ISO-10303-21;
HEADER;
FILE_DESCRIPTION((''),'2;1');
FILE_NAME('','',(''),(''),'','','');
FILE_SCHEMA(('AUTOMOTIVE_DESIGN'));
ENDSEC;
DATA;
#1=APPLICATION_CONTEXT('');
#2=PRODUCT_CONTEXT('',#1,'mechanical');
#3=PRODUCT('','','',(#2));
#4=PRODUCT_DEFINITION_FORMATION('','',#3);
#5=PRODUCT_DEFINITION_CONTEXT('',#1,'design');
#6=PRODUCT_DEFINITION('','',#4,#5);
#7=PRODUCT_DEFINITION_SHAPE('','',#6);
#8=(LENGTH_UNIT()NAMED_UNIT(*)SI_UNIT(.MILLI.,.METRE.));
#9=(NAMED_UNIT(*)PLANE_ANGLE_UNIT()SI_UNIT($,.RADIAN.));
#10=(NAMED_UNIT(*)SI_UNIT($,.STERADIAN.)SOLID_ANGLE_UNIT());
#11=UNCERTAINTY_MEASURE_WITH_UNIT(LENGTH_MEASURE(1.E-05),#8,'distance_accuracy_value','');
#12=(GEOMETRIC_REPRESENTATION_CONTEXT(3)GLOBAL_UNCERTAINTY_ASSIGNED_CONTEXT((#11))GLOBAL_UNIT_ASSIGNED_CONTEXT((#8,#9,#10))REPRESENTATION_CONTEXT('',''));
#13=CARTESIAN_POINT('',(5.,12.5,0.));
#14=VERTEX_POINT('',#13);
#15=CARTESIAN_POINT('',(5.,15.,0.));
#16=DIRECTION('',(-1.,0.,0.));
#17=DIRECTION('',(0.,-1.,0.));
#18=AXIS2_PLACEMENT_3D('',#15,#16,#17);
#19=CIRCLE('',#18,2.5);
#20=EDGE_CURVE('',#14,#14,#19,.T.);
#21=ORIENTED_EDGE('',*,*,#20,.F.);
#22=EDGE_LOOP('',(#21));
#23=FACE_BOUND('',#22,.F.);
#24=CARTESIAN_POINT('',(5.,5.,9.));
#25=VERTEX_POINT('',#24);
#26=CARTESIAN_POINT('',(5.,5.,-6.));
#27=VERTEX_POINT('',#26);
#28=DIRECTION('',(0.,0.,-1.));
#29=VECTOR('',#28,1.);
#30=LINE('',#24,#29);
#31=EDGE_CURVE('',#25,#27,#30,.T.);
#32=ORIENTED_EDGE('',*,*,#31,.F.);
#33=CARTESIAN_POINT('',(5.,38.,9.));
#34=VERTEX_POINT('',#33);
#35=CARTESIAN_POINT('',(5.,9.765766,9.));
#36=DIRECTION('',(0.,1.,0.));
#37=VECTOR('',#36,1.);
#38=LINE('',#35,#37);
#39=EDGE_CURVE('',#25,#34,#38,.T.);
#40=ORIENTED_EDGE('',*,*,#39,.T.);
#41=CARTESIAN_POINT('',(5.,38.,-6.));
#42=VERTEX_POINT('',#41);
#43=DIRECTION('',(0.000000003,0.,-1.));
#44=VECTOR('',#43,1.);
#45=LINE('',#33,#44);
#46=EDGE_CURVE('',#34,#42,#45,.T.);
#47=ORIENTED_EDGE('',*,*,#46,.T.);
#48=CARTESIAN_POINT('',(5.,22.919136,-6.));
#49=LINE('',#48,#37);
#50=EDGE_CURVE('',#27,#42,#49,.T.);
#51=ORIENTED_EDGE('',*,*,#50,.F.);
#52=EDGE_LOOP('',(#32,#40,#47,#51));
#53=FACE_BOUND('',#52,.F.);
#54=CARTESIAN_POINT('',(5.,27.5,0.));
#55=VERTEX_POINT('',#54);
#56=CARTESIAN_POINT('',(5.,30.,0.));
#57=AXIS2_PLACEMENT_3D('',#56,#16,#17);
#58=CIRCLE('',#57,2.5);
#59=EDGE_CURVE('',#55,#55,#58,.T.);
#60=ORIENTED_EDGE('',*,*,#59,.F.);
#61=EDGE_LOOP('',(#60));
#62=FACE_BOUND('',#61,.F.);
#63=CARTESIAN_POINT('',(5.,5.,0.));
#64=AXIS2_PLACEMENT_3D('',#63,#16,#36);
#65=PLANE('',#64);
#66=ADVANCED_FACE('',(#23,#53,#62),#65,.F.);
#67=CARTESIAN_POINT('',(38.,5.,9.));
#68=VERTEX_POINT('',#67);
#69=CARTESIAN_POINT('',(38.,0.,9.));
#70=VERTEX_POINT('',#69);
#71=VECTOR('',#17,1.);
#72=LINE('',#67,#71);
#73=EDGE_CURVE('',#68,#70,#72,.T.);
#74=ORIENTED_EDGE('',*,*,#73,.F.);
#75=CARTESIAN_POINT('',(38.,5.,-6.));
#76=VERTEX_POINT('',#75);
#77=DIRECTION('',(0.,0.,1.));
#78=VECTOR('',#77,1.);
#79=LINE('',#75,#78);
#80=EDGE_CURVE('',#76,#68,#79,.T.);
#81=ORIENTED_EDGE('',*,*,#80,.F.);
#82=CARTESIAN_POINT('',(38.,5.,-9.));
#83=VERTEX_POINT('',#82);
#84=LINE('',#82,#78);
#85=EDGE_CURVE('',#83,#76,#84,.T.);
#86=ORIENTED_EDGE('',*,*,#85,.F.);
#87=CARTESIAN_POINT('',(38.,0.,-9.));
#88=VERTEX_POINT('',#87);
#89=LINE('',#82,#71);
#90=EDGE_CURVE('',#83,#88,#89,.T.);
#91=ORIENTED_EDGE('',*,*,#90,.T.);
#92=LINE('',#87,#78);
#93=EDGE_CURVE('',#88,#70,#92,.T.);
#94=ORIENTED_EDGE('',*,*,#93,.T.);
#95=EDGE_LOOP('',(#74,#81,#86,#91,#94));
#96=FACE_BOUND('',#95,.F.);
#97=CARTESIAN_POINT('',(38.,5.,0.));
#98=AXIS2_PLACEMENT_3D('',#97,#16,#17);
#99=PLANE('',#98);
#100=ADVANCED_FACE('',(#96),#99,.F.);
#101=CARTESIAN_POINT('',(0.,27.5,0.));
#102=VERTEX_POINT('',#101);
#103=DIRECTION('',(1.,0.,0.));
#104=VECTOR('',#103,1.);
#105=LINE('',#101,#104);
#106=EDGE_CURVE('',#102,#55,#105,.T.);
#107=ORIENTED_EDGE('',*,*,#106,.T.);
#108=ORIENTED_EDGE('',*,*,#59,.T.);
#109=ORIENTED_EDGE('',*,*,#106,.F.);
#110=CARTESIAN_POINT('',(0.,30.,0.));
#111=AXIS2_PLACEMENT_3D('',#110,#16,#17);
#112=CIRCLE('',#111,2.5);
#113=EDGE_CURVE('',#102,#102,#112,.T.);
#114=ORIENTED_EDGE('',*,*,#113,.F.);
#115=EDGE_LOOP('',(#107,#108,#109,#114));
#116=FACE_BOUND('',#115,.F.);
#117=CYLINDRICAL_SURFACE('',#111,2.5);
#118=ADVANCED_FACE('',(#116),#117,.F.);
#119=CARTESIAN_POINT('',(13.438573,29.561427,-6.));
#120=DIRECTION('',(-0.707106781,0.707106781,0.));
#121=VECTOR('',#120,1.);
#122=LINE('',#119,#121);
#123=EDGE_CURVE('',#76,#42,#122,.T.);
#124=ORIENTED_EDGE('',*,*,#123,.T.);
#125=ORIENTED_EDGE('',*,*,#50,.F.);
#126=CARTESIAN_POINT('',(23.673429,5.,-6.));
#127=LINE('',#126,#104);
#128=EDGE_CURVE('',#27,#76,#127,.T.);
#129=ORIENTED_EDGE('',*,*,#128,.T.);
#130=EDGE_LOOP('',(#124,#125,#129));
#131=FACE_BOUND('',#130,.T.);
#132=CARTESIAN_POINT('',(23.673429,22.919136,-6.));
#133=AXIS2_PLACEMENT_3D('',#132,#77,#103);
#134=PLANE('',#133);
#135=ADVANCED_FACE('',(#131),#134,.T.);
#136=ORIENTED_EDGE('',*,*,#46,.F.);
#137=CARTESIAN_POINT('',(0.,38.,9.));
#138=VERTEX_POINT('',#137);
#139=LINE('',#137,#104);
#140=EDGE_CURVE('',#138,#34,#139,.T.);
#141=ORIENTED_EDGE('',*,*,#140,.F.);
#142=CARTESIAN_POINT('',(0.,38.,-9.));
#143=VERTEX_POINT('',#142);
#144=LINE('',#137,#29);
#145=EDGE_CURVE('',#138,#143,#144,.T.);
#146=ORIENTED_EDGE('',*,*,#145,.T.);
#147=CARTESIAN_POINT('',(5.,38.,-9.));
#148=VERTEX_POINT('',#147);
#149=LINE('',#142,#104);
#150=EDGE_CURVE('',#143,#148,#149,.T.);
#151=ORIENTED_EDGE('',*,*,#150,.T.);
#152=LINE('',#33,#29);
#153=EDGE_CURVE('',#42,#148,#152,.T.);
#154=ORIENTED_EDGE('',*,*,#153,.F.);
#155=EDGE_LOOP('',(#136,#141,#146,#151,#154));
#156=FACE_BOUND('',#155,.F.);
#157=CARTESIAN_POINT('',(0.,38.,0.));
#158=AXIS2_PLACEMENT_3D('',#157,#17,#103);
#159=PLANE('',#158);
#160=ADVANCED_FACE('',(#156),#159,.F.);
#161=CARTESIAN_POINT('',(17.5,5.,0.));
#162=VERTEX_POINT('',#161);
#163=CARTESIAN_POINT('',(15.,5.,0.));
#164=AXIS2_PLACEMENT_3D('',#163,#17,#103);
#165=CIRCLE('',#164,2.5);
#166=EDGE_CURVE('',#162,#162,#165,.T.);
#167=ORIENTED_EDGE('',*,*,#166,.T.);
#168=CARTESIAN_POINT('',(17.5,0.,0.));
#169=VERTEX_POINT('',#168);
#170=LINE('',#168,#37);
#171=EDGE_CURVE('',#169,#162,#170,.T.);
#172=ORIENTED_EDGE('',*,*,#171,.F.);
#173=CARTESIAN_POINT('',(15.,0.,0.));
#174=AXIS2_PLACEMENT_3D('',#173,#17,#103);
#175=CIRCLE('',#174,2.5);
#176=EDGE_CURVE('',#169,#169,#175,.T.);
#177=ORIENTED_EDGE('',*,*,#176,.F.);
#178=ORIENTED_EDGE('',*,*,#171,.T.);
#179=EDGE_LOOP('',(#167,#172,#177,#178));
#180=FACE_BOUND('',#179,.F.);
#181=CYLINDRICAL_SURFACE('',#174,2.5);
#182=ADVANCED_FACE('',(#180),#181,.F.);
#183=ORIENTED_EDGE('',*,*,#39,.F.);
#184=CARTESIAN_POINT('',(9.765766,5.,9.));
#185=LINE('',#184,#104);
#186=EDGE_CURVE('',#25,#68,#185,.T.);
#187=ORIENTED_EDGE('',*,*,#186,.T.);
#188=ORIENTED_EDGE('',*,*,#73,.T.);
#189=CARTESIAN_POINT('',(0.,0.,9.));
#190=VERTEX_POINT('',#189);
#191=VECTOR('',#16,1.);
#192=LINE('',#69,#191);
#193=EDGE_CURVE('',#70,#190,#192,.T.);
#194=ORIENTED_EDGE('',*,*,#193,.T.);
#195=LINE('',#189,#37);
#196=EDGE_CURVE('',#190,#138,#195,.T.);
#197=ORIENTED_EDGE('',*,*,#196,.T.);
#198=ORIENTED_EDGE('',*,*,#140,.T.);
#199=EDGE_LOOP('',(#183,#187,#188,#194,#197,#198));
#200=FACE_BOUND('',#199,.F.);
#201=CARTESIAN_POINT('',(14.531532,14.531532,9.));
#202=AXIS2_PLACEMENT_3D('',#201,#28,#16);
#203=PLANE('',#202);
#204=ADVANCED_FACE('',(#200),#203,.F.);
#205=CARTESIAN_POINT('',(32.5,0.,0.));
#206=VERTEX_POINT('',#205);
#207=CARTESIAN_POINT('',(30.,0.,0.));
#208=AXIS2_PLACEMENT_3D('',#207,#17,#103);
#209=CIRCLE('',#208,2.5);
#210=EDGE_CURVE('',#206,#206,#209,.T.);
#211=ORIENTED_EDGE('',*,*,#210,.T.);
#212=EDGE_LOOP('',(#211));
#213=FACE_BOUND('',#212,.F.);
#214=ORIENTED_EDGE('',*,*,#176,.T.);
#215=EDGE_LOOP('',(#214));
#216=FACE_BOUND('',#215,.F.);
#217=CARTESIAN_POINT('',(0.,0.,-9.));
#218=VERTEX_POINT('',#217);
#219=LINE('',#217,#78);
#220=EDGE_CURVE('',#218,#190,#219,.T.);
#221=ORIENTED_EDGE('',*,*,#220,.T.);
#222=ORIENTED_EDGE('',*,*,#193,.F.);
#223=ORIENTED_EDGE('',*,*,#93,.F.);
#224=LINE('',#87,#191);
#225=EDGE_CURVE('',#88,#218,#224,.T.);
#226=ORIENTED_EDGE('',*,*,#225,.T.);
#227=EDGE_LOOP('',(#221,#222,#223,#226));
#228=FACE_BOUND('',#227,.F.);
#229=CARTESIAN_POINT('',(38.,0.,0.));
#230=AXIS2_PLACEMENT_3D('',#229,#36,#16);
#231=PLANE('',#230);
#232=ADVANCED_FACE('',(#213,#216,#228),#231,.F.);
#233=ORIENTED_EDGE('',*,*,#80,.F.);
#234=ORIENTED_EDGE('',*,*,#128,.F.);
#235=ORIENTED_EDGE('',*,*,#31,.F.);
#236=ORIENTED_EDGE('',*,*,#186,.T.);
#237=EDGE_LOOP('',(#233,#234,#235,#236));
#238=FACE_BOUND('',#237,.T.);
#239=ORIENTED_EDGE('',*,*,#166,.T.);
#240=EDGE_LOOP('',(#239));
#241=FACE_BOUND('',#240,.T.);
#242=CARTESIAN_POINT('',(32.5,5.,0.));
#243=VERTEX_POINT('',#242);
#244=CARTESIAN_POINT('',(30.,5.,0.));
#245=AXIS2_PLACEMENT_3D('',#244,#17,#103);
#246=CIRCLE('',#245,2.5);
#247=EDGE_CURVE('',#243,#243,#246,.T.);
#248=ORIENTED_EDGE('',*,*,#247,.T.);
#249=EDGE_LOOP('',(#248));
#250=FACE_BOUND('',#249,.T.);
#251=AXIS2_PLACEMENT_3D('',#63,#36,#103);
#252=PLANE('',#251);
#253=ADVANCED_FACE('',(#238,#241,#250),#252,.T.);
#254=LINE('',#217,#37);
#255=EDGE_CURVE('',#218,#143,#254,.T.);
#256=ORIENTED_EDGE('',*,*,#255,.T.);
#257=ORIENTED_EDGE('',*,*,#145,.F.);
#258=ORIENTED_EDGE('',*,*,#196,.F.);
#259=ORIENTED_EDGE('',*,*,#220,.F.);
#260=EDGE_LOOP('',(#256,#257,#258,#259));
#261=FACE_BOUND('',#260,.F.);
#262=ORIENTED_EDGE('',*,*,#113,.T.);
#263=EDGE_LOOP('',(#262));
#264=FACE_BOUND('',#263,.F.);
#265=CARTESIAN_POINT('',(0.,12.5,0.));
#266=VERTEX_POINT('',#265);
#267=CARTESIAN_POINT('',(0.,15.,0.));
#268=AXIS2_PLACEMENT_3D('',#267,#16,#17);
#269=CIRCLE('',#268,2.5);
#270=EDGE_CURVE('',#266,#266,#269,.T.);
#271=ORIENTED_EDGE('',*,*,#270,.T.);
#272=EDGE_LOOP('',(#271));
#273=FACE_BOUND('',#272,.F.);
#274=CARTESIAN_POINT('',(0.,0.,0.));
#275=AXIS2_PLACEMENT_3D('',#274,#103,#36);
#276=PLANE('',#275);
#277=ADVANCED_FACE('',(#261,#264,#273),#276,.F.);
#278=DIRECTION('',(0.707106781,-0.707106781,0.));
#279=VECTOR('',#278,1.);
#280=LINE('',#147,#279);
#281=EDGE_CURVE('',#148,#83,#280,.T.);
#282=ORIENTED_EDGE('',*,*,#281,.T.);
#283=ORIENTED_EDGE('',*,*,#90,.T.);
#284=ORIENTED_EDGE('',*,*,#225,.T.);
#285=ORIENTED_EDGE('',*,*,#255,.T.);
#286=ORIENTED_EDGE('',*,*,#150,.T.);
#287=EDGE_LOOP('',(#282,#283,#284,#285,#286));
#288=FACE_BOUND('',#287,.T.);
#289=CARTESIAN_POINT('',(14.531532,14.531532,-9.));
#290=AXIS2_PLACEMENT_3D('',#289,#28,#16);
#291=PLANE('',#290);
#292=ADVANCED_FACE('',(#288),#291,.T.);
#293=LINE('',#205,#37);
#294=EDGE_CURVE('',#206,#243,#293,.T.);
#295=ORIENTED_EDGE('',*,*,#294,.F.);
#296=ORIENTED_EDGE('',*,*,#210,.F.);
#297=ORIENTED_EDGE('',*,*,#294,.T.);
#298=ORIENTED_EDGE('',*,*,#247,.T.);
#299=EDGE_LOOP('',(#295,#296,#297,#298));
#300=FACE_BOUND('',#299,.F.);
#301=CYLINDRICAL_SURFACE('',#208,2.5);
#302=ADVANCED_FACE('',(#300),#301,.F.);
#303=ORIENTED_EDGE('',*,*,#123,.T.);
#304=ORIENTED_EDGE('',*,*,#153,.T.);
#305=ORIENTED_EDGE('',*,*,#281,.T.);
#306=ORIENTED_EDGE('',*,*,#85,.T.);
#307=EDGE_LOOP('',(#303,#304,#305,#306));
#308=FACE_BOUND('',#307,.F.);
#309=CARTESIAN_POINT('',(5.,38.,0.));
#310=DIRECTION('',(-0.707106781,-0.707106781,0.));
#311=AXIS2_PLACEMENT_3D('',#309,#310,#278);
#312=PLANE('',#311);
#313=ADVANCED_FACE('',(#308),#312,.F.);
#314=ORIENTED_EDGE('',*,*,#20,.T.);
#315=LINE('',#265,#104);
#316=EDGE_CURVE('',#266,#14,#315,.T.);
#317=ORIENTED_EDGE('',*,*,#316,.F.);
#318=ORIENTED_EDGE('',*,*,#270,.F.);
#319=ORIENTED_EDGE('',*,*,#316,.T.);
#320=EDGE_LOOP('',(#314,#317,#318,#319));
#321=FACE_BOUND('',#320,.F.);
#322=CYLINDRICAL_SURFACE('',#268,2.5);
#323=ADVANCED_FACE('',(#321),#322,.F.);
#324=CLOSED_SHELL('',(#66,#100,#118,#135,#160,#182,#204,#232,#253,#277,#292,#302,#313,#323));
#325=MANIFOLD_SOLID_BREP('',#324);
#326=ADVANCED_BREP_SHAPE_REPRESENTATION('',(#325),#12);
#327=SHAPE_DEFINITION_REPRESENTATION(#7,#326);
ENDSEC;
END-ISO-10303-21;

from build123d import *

# Parameters (mm, degrees)
PAD_DEPTH         = 9
SKETCH001_W       = 37.346859
SKETCH001_H       = 35.838272
POCKET_DEPTH      = 6
POCKET_DEPTH_BACK = 100
SKETCH002_R       = 2.5
POCKET001_DEPTH   = 38.001
SKETCH003_R       = 2.5
POCKET002_DEPTH   = 38.001


with BuildPart() as part:
    # Sketch → Pad (new body, symmetric)
    with BuildSketch(Plane.XY):
        Polygon((0, 0), (0, 38), (5, 38), (38, 5), (38, 0), align=None)
    extrude(amount=PAD_DEPTH, both=True)

    # Sketch001 → Pocket (cut, two sides)
    with BuildSketch(Plane.XY) as pocket_sk:
        with Locations((23.673429, 22.919136)):
            Rectangle(SKETCH001_W, SKETCH001_H)
    extrude(amount=-POCKET_DEPTH, mode=Mode.SUBTRACT)
    extrude(pocket_sk.sketch, amount=POCKET_DEPTH_BACK, mode=Mode.SUBTRACT)

    # Sketch002 (on Face2 of Pocket) → Pocket001 (cut, through all)
    with BuildSketch(Plane.XZ):
        with Locations((15, 0)):
            Circle(SKETCH002_R)
        with Locations((30, 0)):
            Circle(SKETCH002_R)
    extrude(amount=-POCKET001_DEPTH, mode=Mode.SUBTRACT)

    # Sketch003 (on Face1 of Pocket001) → Pocket002 (cut, through all)
    with BuildSketch(Plane(origin=(0, 0, 0), x_dir=(0, -1, 0), z_dir=(-1, 0, 0))):
        with Locations((-30, 0)):
            Circle(SKETCH003_R)
        with Locations((-15, 0)):
            Circle(SKETCH003_R)
    extrude(amount=-POCKET002_DEPTH, mode=Mode.SUBTRACT)


solid = part.part
